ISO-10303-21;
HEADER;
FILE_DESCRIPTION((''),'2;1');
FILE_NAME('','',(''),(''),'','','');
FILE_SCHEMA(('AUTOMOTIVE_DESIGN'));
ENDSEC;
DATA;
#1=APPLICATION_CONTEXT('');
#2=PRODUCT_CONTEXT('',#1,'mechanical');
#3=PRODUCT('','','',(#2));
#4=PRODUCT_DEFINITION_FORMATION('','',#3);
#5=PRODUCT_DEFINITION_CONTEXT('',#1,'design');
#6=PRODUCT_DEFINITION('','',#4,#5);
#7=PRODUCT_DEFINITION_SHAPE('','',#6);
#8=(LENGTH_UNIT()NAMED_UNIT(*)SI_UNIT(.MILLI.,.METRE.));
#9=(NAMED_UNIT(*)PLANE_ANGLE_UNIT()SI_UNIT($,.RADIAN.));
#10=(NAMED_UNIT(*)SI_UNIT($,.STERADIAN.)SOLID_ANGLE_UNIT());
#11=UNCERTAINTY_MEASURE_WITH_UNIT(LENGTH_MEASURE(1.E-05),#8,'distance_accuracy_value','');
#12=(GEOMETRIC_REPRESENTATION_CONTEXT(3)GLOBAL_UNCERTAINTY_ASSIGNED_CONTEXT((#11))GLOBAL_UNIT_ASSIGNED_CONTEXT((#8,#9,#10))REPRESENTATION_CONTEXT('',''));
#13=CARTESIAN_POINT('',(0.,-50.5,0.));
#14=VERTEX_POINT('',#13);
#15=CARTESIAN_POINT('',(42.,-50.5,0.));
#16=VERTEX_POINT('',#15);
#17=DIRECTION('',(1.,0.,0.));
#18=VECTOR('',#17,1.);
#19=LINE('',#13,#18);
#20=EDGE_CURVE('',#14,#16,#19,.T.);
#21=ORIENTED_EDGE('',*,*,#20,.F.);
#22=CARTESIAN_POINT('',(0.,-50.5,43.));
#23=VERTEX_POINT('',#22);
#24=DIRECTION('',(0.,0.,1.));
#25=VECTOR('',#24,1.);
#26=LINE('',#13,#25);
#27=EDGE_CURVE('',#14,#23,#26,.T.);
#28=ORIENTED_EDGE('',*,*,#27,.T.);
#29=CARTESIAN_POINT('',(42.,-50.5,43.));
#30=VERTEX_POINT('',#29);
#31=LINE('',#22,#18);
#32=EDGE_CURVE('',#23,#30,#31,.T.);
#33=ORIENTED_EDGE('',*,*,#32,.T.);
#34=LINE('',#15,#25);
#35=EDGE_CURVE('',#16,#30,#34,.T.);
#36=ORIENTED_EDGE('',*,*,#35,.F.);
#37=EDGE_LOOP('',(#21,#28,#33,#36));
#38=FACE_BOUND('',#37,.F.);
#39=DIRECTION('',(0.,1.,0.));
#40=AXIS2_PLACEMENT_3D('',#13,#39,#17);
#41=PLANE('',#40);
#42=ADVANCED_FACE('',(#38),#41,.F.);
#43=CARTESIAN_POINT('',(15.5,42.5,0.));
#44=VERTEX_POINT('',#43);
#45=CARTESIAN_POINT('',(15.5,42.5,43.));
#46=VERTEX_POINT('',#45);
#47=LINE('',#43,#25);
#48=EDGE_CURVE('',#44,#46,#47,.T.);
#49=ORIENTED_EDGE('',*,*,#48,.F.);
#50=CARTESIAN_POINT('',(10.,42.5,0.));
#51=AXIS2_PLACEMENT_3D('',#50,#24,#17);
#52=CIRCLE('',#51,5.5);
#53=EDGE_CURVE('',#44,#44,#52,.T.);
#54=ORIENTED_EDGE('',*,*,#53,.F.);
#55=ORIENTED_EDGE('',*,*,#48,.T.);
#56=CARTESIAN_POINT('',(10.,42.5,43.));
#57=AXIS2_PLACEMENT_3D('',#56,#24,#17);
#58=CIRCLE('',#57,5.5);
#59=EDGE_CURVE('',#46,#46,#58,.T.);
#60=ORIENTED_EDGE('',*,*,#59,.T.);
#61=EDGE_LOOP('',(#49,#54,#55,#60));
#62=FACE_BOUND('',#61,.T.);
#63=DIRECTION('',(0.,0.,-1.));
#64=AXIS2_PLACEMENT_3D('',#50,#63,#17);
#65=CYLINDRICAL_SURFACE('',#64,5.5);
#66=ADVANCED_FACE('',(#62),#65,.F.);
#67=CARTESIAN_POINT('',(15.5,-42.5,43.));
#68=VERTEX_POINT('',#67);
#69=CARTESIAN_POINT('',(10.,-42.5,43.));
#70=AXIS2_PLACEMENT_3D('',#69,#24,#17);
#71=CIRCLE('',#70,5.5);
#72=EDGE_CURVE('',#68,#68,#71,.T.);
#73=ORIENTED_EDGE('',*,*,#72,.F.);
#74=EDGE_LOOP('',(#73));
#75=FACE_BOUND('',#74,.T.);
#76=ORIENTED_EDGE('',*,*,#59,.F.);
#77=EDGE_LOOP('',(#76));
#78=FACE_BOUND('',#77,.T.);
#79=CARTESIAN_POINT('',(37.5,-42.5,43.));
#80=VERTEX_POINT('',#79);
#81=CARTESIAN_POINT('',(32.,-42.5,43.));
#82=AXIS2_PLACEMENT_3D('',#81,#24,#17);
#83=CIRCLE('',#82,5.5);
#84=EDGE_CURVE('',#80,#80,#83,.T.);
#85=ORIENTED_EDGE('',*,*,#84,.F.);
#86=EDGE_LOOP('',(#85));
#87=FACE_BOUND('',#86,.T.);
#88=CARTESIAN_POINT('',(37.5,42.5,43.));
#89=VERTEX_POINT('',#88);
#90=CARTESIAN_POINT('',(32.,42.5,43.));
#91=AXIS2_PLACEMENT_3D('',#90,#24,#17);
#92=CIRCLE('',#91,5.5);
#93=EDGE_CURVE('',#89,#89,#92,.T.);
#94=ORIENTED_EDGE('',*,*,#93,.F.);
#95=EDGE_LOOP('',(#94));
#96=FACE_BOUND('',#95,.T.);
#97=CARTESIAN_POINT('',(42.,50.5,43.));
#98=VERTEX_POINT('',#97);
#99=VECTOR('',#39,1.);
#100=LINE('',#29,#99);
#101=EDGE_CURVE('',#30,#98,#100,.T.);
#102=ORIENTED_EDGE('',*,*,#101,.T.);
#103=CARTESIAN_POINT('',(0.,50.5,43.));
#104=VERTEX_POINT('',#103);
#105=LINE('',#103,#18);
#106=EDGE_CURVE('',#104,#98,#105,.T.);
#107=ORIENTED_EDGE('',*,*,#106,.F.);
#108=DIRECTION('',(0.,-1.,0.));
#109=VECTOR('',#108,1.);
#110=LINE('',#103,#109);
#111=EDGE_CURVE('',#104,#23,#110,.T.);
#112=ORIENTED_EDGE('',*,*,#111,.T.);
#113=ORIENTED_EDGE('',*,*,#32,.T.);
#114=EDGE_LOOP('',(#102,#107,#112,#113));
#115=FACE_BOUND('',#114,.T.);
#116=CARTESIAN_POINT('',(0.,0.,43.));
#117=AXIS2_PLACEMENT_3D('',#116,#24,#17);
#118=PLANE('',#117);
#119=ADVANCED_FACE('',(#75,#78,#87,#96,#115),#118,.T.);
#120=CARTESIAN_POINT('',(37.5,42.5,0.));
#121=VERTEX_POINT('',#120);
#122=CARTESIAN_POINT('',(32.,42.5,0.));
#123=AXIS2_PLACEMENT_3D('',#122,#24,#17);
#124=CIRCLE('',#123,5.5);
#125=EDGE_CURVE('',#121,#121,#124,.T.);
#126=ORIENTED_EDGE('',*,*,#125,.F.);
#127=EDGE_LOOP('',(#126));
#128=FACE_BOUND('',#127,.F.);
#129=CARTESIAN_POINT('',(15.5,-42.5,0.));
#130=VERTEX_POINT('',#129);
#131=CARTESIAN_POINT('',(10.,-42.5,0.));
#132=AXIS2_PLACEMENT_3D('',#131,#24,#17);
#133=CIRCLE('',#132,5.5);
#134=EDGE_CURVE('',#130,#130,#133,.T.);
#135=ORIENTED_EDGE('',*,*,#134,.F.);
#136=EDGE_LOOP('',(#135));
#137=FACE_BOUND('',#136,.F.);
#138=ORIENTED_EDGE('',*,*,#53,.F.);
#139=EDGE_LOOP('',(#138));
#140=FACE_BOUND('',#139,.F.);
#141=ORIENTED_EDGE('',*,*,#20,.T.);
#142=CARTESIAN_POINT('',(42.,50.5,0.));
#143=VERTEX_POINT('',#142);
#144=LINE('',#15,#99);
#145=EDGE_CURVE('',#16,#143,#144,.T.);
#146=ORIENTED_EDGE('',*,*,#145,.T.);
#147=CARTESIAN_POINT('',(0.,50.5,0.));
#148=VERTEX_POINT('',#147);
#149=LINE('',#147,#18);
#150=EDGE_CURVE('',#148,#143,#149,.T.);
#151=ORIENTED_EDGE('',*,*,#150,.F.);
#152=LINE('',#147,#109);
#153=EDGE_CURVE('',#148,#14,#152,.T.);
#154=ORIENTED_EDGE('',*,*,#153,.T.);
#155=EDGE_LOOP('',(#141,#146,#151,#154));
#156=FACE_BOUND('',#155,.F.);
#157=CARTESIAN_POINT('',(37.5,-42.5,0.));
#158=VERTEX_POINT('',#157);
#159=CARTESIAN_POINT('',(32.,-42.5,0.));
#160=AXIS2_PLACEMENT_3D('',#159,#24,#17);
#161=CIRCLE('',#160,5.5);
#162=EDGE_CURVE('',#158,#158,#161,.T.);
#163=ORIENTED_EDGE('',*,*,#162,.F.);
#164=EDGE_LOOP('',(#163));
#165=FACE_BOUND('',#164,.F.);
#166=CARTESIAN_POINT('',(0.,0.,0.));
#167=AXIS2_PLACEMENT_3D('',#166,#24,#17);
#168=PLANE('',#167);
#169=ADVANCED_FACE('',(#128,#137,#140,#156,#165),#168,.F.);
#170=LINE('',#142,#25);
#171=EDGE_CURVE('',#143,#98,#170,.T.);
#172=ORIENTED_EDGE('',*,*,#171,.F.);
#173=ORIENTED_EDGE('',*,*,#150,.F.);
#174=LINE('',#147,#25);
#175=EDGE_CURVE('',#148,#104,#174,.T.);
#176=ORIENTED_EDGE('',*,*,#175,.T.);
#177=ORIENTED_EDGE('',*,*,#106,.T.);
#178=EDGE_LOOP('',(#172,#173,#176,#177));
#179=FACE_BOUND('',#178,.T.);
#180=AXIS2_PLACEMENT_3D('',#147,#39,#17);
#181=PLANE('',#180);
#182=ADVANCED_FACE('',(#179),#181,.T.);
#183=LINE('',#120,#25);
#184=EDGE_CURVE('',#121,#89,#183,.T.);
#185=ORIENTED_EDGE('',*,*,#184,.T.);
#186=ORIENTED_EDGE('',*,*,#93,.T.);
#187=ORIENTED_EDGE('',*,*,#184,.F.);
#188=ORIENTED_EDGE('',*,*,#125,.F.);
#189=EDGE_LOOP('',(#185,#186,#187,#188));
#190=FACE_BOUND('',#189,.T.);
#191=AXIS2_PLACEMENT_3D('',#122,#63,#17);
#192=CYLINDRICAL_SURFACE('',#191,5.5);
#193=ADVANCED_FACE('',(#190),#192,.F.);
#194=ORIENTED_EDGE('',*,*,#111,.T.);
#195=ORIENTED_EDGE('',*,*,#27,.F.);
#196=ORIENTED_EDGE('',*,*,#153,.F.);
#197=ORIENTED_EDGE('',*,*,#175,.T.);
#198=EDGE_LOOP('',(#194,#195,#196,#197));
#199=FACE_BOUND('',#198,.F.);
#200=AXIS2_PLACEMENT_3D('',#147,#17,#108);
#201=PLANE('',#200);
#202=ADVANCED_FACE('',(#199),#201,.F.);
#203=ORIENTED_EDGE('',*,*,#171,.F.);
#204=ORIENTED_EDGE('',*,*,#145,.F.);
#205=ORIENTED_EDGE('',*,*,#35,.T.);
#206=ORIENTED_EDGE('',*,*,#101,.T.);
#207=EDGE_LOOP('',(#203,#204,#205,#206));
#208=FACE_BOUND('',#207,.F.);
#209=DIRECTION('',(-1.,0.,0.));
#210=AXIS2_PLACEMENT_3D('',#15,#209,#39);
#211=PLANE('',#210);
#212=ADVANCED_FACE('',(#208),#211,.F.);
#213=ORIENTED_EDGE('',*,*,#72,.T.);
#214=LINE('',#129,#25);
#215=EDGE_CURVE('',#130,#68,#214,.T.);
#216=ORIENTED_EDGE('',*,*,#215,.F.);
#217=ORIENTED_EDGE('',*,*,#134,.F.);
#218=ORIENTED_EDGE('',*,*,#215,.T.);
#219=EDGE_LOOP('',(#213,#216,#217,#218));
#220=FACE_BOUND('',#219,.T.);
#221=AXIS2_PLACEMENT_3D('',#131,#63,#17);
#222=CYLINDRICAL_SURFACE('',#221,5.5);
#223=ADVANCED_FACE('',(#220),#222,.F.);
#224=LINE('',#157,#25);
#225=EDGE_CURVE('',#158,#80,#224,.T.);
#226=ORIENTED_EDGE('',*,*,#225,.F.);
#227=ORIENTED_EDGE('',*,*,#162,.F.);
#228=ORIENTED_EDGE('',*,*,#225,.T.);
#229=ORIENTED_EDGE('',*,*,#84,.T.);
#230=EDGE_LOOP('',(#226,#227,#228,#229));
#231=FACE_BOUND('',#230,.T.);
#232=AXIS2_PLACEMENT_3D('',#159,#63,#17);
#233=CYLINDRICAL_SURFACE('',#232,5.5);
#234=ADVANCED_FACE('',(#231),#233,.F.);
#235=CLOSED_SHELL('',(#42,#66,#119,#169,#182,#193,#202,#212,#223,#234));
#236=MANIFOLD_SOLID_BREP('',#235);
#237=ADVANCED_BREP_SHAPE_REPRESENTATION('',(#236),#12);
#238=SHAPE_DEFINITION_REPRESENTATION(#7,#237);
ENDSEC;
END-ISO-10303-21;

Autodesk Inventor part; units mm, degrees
ref_plane "YZ Plane" through (0, 0, 0) normal (1, 0, 0) x (0, 1, 0)
ref_plane "XZ Plane" through (0, 0, 0) normal (0, 1, 0) x (-1, 0, 0)
ref_plane "XY Plane" through (0, 0, 0) normal (0, 0, 1) x (1, 0, 0)
sketch "Sketch1" plane through (0, 0, 0) normal (0, 0, 1) x (1, 0, 0)
  circle A0 centre (10, -42.5) radius 5.5 projected
  circle A1 centre (10, 42.5) radius 5.5 projected
  circle A2 centre (32, -42.5) radius 5.5 projected
  circle A3 centre (32, 42.5) radius 5.5 projected
  line L0 (42, -50.5) -> (42, 50.5) projected
  line L1 (0, 50.5) -> (42, 50.5) projected
  line L2 (0, 50.5) -> (0, -50.5) projected
  line L3 (0, -50.5) -> (42, -50.5) projected
  point P0 (0, 0)
extrude "Extrusion1" add sketch "Sketch1" along normal blind 43
properties part number "BaseBallScrewSupport"
